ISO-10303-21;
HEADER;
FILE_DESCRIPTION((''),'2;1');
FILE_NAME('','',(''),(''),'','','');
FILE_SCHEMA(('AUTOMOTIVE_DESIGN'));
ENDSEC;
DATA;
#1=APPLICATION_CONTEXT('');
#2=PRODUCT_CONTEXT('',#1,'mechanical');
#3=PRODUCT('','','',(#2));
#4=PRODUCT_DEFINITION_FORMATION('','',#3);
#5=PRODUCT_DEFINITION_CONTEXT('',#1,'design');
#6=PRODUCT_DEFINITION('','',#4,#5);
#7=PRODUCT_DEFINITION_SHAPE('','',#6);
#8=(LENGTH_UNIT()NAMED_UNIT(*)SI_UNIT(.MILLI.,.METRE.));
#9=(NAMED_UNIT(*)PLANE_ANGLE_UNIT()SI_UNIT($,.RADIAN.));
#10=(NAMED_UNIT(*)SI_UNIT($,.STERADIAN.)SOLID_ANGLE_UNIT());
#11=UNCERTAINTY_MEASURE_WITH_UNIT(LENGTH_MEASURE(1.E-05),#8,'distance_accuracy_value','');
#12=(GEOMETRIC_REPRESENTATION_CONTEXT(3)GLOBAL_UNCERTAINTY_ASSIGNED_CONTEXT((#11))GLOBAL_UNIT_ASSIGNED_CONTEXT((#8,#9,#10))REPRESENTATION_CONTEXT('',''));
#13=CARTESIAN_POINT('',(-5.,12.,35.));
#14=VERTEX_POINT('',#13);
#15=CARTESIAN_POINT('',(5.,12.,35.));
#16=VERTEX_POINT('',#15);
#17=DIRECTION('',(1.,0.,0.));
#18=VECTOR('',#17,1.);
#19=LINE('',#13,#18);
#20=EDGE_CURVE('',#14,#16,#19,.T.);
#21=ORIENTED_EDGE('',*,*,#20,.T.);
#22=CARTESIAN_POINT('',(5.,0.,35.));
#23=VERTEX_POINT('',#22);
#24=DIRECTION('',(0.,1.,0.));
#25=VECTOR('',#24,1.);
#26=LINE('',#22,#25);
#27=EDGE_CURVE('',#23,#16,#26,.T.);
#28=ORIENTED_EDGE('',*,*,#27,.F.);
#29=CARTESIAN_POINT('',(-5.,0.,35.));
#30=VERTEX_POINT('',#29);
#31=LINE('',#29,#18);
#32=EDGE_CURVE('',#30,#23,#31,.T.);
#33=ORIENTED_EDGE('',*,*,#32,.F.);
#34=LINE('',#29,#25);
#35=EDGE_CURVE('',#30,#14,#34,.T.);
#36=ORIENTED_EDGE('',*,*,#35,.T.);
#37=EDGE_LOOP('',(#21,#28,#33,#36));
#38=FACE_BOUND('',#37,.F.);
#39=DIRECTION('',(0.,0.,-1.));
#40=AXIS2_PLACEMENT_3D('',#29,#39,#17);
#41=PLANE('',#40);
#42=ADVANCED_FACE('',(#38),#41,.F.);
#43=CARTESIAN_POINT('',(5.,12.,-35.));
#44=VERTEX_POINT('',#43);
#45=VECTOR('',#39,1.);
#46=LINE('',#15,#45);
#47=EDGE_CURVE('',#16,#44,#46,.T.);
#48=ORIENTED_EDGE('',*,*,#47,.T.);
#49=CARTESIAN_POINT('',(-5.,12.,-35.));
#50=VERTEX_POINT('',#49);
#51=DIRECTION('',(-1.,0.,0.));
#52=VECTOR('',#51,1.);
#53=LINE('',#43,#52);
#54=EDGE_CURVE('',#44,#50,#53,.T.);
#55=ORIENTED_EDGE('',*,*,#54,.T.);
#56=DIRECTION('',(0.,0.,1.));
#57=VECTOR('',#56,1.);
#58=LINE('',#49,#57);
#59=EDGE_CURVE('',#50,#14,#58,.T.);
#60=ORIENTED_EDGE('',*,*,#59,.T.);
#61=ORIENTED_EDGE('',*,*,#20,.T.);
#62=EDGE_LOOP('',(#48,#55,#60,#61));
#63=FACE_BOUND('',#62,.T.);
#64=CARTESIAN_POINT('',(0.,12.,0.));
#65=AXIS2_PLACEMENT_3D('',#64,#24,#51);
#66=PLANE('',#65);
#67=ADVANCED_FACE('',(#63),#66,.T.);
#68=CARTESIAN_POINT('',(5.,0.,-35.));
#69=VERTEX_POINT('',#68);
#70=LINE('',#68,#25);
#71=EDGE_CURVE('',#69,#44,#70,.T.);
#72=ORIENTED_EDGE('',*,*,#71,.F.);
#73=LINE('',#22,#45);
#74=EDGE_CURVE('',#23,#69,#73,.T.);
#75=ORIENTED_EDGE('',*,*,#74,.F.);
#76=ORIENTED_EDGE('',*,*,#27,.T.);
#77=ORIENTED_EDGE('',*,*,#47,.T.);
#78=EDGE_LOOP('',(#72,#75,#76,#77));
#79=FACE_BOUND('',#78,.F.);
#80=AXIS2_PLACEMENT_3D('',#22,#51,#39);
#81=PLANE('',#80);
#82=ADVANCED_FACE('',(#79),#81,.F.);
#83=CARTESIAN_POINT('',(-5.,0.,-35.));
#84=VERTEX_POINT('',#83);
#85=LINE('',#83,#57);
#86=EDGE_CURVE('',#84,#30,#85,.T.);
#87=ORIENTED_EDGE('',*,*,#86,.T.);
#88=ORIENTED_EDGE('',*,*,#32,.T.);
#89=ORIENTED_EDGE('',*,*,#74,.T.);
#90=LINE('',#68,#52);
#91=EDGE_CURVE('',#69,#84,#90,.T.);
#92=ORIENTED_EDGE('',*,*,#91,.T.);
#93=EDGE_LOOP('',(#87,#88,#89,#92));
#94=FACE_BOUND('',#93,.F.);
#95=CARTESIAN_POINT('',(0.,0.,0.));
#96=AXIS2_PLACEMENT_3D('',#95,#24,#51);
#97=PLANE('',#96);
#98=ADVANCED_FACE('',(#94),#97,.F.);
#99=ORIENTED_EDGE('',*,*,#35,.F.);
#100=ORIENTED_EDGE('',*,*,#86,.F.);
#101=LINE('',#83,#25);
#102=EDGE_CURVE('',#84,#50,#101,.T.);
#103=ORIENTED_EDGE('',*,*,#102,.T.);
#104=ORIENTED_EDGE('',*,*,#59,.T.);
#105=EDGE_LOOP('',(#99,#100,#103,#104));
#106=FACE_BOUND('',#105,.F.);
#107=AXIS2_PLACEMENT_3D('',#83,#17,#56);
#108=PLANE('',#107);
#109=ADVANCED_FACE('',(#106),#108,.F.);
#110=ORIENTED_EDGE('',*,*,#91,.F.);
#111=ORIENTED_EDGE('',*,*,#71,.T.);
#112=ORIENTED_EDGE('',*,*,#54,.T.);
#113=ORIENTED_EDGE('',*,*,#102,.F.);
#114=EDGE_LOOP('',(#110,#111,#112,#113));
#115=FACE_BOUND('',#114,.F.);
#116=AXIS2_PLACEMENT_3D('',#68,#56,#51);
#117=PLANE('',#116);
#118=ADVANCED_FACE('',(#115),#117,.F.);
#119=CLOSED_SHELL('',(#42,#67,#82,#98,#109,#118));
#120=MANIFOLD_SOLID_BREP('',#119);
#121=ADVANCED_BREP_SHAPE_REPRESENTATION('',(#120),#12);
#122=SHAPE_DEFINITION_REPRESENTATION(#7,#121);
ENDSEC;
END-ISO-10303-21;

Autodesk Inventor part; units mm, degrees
ref_plane "YZ Plane" through (0, 0, 0) normal (1, 0, 0) x (0, 1, 0)
ref_plane "XZ Plane" through (0, 0, 0) normal (0, 1, 0) x (-1, 0, 0)
ref_plane "XY Plane" through (0, 0, 0) normal (0, 0, 1) x (1, 0, 0)
sketch "Sketch1" plane through (0, 0, 0) normal (0, 1, 0) x (-1, 0, 0)
  line L0 (-5, 35) -> (-5, -35)
  line L1 (-5, -35) -> (5, -35)
  line L2 (5, -35) -> (5, 35)
  line L3 (5, 35) -> (-5, 35)
  line L4 (-5, 35) -> (5, -35) construction
  line L5 (-5, -35) -> (5, 35) construction
  point P0 (0, 0)
  dimension "d0" = 70
  dimension "d1" = 10
extrude "Extrusion1" add sketch "Sketch1" along normal blind 12
properties part number "Dribbler block"
